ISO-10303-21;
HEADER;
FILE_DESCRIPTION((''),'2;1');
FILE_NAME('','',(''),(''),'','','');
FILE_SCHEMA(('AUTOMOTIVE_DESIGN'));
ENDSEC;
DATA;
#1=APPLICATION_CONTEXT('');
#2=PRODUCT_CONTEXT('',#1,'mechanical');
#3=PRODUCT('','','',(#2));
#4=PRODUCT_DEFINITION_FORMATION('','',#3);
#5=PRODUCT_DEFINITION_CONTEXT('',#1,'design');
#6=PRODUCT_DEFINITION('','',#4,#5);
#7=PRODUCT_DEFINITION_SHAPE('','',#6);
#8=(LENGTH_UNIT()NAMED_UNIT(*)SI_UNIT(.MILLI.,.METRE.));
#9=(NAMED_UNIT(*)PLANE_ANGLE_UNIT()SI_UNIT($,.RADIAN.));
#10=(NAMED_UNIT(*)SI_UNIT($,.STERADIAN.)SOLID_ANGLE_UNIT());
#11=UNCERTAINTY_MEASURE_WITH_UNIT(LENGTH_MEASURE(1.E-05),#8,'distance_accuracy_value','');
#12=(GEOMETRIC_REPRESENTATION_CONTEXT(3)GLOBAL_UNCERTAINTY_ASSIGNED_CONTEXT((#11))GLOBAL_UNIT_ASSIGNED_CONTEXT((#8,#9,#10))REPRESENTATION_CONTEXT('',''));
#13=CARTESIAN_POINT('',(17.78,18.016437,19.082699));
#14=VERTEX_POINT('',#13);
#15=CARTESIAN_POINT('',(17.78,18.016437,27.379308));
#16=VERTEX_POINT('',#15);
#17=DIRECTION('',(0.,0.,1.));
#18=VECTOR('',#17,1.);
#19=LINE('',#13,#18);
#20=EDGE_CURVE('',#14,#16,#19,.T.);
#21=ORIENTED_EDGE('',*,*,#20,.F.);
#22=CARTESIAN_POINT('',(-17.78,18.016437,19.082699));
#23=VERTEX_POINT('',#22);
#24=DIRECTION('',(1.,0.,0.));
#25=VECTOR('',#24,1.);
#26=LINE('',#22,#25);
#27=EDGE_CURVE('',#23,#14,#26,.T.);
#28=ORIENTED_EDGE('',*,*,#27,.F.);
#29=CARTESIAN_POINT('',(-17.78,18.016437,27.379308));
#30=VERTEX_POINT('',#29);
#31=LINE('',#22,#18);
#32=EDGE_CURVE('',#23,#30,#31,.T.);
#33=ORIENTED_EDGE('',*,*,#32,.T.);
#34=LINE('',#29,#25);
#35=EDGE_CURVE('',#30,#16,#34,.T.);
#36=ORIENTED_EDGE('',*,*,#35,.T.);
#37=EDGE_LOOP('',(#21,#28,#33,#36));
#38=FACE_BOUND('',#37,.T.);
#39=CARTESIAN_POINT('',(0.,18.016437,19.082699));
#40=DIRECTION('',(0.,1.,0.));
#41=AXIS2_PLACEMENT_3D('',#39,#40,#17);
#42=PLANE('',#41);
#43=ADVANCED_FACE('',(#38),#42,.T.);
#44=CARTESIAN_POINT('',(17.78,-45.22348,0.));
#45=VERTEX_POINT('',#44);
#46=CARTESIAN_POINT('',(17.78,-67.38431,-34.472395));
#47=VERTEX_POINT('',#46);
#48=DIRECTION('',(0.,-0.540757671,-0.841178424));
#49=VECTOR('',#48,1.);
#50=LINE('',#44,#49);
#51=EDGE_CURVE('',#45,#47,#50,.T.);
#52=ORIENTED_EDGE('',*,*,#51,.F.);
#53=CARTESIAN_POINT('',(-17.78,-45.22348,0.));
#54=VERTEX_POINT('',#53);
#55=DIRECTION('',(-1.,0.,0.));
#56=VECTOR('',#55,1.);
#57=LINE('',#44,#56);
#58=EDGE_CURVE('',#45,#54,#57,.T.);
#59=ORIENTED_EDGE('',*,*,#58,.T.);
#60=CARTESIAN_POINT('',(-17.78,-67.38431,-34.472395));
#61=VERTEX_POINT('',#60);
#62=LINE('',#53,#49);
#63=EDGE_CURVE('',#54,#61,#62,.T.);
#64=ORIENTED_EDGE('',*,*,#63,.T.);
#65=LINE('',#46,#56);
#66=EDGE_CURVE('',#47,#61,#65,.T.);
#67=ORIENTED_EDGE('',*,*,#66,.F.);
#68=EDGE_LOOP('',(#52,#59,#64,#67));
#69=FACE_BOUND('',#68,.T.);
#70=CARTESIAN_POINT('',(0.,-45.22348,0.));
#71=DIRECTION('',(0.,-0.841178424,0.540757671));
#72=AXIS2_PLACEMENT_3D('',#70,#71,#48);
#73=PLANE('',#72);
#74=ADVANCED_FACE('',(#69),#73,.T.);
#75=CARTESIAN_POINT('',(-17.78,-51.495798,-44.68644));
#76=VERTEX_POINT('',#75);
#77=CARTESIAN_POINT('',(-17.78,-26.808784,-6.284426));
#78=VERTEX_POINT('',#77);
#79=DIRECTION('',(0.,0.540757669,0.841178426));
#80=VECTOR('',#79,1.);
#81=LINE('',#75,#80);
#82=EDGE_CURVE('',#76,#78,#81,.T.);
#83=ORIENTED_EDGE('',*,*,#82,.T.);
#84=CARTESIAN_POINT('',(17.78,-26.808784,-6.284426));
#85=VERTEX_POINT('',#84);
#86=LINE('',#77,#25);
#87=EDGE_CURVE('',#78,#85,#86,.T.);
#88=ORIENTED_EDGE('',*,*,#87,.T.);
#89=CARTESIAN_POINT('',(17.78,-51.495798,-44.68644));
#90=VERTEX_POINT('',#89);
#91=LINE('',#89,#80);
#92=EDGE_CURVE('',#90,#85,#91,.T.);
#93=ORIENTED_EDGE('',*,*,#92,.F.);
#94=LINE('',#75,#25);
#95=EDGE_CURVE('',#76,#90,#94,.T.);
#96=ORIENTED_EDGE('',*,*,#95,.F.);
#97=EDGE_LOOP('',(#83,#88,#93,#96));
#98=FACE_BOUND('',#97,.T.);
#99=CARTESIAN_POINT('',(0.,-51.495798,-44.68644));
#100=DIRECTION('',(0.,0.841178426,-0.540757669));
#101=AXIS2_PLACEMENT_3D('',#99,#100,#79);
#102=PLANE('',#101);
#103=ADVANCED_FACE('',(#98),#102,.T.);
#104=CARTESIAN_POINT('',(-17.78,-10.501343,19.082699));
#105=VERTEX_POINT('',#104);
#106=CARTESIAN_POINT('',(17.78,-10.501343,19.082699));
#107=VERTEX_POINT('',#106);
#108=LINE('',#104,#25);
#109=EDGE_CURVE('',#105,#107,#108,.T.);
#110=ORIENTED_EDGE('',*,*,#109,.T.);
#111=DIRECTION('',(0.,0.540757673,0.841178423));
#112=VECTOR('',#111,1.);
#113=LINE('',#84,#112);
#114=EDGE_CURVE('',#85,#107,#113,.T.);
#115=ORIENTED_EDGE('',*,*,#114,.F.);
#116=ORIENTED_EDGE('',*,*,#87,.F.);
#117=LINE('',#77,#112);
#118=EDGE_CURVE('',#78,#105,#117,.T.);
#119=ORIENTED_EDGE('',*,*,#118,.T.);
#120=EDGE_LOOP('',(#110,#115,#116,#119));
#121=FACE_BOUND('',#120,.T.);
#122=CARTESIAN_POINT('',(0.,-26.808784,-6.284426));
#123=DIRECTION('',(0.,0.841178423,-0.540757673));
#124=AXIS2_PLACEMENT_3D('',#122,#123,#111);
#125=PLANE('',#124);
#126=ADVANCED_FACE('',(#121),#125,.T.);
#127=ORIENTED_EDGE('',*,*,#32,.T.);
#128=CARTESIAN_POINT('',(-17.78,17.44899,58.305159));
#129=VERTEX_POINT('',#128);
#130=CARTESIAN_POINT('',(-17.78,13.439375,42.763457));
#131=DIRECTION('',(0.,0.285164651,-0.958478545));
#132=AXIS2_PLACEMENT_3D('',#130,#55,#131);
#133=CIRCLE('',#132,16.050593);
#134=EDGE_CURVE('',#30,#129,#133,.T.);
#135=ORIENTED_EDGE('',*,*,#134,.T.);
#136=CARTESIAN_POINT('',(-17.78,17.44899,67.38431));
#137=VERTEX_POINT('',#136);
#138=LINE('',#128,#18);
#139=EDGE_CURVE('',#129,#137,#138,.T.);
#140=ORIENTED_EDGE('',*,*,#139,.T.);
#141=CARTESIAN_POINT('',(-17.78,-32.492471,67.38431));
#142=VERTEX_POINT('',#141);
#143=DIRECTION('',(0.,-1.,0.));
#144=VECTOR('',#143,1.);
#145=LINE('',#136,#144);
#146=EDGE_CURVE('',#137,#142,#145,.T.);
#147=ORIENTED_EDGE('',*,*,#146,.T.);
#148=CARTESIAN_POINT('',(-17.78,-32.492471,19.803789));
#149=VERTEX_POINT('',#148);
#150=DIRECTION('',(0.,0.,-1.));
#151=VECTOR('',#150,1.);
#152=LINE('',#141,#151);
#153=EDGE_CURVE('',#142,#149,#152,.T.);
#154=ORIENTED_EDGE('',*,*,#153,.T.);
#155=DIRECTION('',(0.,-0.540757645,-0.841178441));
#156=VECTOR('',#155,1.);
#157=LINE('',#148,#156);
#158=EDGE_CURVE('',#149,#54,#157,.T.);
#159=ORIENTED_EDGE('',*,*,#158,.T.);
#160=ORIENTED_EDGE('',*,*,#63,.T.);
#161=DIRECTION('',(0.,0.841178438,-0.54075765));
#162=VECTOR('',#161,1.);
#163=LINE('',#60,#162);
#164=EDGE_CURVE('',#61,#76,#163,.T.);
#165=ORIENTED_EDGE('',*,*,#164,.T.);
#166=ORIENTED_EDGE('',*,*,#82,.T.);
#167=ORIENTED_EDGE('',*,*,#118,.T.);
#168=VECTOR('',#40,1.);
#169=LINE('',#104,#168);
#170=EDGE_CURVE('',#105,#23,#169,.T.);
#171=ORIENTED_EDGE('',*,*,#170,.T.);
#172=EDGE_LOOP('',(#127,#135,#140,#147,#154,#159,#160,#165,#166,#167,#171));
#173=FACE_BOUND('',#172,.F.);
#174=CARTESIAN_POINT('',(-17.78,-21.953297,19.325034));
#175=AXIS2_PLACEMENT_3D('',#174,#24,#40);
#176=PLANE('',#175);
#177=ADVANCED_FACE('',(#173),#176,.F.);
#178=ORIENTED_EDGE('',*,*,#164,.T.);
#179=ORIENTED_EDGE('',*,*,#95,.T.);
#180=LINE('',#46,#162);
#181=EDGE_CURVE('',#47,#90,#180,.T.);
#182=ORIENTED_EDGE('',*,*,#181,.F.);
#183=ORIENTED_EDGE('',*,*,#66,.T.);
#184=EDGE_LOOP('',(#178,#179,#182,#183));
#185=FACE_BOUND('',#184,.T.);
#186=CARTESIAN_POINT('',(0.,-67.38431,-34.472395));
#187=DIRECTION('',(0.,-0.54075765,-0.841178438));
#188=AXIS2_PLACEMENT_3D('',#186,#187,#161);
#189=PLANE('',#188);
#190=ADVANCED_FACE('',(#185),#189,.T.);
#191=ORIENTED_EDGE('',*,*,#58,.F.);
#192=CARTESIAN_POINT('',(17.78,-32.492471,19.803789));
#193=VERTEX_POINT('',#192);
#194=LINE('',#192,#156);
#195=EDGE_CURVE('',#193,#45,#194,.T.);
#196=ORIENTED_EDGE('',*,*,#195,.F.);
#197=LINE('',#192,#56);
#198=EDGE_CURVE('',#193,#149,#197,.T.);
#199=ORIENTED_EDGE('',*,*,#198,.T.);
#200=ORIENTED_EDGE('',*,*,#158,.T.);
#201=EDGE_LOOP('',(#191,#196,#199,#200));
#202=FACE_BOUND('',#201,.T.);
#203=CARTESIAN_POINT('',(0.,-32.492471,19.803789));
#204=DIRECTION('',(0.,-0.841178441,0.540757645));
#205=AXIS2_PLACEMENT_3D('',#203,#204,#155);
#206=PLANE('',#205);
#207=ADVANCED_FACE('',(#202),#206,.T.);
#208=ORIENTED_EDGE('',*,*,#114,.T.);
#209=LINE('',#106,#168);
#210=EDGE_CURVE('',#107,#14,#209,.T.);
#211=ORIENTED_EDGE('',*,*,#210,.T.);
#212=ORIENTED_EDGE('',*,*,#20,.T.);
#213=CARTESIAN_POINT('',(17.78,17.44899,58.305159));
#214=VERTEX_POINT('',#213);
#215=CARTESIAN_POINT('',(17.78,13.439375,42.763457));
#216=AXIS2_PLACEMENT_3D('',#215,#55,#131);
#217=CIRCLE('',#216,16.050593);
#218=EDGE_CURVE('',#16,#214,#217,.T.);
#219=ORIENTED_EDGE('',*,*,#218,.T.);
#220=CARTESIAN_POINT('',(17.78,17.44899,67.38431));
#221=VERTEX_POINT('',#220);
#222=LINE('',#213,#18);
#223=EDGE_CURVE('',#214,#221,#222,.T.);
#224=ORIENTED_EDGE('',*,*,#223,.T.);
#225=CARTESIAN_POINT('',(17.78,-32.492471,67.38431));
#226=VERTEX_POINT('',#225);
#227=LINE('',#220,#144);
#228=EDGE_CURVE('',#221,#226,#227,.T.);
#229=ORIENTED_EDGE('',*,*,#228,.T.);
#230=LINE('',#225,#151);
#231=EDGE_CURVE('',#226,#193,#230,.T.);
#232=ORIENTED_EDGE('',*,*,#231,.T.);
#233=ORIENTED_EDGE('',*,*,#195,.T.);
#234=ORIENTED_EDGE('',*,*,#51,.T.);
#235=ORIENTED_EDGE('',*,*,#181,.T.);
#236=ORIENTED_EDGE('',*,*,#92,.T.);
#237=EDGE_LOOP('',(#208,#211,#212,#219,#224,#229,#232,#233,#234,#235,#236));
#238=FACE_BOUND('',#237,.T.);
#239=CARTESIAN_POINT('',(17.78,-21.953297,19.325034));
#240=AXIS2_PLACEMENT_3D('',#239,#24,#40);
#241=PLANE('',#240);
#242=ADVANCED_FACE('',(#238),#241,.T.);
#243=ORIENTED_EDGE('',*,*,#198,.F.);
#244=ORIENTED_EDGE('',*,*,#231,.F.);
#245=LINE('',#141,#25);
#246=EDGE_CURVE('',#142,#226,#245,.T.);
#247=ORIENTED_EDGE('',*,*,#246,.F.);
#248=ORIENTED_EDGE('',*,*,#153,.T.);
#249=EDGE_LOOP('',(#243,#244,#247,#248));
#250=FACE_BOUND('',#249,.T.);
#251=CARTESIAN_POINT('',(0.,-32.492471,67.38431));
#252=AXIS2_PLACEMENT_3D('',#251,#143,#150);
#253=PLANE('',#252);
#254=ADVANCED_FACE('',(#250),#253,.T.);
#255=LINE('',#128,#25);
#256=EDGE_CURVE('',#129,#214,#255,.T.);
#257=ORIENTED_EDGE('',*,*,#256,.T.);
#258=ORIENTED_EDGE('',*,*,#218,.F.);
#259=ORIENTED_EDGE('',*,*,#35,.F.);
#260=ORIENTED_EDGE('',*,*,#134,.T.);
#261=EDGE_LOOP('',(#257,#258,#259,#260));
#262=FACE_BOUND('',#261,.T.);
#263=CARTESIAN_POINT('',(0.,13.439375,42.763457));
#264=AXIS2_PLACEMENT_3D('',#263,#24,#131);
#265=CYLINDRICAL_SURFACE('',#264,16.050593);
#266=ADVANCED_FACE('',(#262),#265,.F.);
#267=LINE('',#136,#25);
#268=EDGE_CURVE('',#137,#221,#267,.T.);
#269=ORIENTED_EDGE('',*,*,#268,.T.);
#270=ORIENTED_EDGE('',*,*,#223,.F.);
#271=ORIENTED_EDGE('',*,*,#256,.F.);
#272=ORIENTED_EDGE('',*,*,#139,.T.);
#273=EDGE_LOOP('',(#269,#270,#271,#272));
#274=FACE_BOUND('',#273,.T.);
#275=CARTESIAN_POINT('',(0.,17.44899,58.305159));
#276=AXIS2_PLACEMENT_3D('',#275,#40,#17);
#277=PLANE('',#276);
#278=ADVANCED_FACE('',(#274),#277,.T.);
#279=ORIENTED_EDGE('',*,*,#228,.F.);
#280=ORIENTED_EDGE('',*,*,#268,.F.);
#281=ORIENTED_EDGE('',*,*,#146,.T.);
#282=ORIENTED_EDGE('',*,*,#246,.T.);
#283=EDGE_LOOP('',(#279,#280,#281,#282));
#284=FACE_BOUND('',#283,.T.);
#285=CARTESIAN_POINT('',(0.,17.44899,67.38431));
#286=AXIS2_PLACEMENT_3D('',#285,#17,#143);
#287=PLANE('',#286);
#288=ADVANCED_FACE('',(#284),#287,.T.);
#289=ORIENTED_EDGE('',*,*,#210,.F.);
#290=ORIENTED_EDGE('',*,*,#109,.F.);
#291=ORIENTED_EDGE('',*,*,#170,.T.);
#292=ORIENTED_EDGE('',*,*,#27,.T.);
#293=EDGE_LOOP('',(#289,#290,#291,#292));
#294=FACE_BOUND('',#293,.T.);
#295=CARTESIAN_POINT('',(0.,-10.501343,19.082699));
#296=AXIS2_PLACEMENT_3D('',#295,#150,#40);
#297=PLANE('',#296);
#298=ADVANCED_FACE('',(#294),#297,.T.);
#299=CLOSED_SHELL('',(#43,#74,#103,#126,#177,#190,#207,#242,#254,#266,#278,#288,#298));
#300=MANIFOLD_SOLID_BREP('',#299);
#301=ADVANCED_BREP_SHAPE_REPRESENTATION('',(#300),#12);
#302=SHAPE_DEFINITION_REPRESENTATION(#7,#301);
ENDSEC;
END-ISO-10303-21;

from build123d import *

# Parameters (mm, degrees)
F1_DEPTH = 17.78


with BuildPart() as f1:
    # F0 (on Right) → F1 (new body, symmetric)
    with BuildSketch(Plane.YZ):
        with BuildLine():
            Line((-67.38431, -34.472395), (-51.495798, -44.68644))
            Line((-51.495798, -44.68644), (-26.808784, -6.284426))
            Line((-26.808784, -6.284426), (-10.501343, 19.082699))
            Line((-10.501343, 19.082699), (18.016437, 19.082699))
            Line((18.016437, 19.082699), (18.016437, 27.379308))
            ThreePointArc((18.016437, 27.379308), (-2.608516, 42.469), (17.44899, 58.305159))
            Line((17.44899, 58.305159), (17.44899, 67.38431))
            Line((17.44899, 67.38431), (-32.492471, 67.38431))
            Line((-32.492471, 67.38431), (-32.492471, 19.803789))
            Line((-32.492471, 19.803789), (-45.22348, 0))
            Line((-45.22348, 0), (-67.38431, -34.472395))
        make_face()
    extrude(amount=F1_DEPTH, both=True)


solid = f1.part
